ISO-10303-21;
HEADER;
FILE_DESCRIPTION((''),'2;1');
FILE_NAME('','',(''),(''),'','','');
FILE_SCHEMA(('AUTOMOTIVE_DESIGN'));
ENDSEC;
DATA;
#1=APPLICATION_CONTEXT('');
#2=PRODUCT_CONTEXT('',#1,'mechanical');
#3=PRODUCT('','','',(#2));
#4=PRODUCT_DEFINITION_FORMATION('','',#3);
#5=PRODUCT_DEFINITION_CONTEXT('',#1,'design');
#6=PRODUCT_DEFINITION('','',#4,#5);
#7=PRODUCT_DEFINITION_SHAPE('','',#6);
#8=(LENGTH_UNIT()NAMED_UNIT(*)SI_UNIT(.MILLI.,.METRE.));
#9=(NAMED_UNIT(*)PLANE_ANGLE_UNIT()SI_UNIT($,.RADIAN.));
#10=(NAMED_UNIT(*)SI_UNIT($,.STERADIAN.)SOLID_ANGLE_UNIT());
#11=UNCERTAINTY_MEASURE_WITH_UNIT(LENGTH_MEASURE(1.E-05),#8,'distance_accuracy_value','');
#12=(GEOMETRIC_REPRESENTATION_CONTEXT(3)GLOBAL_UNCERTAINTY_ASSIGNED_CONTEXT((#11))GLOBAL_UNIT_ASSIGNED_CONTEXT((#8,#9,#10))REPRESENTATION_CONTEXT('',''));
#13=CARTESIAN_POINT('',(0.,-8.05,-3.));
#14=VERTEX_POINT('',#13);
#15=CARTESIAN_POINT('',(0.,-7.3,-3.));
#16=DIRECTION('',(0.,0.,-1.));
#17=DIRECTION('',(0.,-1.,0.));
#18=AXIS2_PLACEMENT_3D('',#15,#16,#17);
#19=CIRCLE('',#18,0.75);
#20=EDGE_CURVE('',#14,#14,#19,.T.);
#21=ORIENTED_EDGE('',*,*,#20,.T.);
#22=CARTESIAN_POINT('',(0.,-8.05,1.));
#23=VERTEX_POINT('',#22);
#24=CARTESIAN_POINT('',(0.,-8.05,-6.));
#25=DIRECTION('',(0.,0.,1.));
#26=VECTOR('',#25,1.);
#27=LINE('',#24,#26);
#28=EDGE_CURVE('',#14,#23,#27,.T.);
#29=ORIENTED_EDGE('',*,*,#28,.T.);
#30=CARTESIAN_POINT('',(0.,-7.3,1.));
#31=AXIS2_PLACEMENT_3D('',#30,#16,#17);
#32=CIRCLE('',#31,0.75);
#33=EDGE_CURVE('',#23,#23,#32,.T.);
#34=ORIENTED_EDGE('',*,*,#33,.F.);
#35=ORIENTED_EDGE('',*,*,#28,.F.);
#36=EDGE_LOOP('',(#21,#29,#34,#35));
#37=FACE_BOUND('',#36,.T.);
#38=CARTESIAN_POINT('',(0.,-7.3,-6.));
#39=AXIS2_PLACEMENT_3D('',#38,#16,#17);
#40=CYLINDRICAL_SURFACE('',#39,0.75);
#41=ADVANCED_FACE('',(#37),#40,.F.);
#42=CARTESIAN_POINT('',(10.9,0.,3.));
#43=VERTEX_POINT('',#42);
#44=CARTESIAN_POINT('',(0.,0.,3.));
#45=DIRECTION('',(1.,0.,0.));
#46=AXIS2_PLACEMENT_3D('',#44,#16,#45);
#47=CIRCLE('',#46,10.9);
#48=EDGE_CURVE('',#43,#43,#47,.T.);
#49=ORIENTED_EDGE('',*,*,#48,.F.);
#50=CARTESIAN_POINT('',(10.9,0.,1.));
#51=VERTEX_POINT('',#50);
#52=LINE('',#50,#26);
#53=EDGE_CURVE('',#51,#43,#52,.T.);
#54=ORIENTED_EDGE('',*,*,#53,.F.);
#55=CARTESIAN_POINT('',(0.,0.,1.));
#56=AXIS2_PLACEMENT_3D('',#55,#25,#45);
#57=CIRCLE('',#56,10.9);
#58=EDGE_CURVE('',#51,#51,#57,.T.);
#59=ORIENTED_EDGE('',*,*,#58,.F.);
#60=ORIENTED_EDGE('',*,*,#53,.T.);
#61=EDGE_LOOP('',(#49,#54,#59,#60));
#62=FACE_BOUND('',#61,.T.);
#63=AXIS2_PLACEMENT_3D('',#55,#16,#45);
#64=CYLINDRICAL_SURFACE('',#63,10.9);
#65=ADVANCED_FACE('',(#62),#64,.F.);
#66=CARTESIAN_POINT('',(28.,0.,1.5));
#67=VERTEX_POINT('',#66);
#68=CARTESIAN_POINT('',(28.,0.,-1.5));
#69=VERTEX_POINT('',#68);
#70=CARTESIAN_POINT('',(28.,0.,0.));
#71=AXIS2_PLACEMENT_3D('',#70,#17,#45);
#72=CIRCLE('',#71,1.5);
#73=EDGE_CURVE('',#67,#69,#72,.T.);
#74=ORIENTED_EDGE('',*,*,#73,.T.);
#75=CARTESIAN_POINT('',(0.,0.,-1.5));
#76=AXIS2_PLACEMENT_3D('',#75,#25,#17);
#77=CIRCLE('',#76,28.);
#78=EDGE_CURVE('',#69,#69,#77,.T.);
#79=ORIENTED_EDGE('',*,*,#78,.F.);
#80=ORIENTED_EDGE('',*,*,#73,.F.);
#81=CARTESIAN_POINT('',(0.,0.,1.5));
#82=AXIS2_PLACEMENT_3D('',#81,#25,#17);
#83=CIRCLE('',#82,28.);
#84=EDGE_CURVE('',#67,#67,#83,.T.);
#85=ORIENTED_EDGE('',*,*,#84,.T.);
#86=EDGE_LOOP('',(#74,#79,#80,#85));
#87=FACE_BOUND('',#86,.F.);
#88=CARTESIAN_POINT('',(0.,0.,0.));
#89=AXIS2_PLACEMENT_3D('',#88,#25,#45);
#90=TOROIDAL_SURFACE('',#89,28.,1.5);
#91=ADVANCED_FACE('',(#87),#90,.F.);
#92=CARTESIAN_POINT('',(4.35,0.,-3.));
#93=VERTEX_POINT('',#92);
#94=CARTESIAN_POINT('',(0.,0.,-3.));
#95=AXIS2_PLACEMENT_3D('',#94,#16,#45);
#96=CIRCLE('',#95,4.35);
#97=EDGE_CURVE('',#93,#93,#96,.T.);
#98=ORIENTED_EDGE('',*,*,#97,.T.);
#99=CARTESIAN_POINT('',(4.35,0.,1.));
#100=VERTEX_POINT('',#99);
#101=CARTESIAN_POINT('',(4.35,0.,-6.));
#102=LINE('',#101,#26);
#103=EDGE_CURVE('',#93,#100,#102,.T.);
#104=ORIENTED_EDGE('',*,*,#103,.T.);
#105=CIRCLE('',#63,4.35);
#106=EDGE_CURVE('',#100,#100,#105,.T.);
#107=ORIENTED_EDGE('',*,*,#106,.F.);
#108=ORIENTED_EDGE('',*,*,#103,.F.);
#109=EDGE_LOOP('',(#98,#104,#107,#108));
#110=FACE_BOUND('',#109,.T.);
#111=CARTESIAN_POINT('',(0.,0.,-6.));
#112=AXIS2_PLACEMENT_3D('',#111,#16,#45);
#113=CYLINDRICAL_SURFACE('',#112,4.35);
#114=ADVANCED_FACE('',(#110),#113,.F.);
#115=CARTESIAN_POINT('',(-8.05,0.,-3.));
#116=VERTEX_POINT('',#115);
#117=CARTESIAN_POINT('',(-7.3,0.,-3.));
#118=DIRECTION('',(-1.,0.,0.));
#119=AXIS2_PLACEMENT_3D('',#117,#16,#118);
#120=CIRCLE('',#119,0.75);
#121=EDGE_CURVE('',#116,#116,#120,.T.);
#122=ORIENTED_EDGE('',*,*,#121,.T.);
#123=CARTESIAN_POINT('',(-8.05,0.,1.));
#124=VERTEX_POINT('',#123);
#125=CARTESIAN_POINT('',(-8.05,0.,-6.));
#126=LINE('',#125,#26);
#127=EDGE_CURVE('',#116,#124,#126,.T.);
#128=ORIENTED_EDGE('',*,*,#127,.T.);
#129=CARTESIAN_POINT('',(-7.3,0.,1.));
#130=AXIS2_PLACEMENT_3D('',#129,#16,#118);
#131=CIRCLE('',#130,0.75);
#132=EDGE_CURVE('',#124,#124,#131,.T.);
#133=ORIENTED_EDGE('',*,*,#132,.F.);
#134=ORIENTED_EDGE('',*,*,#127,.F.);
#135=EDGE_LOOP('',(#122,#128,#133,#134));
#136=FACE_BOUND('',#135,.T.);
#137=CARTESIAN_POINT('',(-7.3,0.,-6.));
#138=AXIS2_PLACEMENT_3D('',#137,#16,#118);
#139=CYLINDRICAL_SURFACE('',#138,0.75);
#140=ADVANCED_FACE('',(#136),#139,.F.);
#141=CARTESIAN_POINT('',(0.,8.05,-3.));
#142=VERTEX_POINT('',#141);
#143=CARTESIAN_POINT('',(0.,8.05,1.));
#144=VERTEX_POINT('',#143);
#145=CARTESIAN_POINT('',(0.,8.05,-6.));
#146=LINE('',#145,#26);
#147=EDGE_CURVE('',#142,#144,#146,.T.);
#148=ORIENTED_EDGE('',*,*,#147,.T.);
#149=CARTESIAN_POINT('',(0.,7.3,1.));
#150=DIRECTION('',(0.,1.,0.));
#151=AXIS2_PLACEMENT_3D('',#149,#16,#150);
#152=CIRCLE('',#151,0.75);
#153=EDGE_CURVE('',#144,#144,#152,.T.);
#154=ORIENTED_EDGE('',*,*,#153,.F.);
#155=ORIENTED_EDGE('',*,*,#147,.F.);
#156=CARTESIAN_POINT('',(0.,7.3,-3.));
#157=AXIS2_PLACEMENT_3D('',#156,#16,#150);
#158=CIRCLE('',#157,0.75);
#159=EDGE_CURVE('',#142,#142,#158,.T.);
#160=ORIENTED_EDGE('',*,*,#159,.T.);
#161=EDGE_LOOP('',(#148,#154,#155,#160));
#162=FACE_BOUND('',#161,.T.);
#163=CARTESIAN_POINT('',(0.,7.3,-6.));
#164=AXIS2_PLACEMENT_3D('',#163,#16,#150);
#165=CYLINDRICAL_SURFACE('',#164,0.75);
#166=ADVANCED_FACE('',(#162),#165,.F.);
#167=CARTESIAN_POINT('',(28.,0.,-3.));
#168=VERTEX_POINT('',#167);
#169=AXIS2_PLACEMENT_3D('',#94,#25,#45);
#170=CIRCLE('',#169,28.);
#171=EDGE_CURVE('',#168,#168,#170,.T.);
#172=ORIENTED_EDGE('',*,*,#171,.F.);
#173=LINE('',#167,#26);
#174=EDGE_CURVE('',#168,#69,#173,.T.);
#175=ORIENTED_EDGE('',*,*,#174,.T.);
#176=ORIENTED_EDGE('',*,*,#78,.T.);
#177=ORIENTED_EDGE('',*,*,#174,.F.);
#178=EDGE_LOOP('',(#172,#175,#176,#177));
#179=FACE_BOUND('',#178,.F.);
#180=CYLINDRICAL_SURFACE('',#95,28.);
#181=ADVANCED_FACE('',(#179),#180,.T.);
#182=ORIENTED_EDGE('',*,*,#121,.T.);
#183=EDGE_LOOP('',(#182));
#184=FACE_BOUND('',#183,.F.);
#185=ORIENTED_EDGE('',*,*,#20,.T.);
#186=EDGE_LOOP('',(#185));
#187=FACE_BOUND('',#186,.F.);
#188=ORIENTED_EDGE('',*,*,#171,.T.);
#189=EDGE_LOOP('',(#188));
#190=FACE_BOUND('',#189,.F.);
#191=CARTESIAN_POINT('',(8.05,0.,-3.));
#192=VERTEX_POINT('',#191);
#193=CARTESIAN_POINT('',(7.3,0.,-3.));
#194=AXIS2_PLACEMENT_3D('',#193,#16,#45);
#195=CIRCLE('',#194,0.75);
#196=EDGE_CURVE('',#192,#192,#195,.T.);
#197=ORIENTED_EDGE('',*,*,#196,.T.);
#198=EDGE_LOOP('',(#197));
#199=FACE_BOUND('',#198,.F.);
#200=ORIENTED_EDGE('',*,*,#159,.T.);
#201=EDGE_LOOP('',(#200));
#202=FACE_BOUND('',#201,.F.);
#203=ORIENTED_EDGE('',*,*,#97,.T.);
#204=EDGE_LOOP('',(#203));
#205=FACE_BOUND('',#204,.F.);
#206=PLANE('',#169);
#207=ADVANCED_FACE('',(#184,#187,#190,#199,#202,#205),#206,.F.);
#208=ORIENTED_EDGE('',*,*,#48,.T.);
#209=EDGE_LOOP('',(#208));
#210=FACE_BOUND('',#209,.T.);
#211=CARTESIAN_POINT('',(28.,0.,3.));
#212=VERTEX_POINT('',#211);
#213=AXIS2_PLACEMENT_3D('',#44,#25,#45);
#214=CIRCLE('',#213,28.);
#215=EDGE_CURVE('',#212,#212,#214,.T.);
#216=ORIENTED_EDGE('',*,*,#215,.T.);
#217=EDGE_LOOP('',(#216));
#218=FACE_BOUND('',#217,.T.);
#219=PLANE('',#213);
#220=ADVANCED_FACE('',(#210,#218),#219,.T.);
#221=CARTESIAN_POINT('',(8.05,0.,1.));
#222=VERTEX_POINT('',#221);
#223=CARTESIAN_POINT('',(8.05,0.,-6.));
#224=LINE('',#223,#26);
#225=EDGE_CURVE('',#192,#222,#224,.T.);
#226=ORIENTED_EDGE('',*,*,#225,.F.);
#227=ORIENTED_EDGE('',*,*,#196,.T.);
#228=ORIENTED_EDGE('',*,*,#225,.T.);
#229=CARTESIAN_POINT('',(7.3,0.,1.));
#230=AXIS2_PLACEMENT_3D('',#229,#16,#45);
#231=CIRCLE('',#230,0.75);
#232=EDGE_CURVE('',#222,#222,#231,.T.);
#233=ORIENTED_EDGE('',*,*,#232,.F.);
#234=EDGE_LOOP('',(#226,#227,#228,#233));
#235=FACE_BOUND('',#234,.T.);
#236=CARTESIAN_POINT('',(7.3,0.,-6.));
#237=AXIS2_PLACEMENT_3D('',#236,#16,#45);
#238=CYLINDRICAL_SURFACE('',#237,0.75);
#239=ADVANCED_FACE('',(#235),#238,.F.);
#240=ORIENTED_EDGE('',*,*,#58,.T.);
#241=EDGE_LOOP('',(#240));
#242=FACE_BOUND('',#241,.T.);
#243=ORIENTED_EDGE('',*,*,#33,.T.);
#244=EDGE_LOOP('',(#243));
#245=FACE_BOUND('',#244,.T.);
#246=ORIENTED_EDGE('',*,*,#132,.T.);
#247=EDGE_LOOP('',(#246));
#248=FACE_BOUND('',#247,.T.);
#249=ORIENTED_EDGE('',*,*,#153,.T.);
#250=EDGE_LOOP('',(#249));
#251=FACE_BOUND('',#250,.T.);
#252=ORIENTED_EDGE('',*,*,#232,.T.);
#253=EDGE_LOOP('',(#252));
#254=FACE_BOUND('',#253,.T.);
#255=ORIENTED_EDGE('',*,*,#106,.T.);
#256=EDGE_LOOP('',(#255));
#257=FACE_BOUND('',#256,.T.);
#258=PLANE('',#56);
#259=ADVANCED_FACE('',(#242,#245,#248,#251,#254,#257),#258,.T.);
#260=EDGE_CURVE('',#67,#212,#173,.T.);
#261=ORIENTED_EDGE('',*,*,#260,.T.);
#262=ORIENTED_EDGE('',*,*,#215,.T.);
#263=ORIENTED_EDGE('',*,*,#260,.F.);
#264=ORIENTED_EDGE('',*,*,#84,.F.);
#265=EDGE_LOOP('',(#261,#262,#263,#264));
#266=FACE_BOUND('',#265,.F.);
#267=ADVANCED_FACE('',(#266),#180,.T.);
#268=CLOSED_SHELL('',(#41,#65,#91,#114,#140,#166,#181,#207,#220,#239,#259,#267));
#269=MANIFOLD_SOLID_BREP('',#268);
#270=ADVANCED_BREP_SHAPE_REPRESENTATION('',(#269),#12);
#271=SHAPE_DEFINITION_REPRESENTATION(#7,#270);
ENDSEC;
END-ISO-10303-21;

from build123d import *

# Parameters (mm, degrees)
CYLINDER003_R     = 0.75
CYLINDER003_DEPTH = 10
ARRAY_COUNT       = 4
CYLINDER002_R     = 4.35
CYLINDER002_DEPTH = 10
CYLINDER001_R     = 10.9
CYLINDER001_DEPTH = 10
TORUS_R           = 1.5
CYLINDER_R        = 28
CYLINDER_DEPTH    = 6


with BuildPart() as array:
    # Cylinder003 → Cylinder003 (new body)
    with BuildSketch(Plane(origin=(7.3, 0, -6), x_dir=(1, 0, 0), z_dir=(0, 0, 1))):
        Circle(CYLINDER003_R)
    extrude(amount=CYLINDER003_DEPTH)

    # Array: Array ×4 about axis
    array_axis = Axis((0, 0, 0), (0, 0, 1))


with BuildPart() as array_1:
    add(array.part)
    for i in range(1, ARRAY_COUNT):
        add(array.part.rotate(array_axis, i * 360 / ARRAY_COUNT))


with BuildPart() as hueco_eje:
    # Cylinder002 → Cylinder002 (new body)
    with BuildSketch(Plane.XY.offset(-6)):
        Circle(CYLINDER002_R)
    extrude(amount=CYLINDER002_DEPTH)


with BuildPart() as corona_servo:
    # Cylinder001 → Cylinder001 (new body)
    with BuildSketch(Plane.XY.offset(1)):
        Circle(CYLINDER001_R)
    extrude(amount=CYLINDER001_DEPTH)


with BuildPart() as hueco_junta_t_rica:
    # Torus → Torus (revolve)
    with BuildSketch(Plane.XZ):
        with Locations((28, 0)):
            Circle(TORUS_R)
    revolve(axis=Axis((0, 0, 0), (0, 0, 1)))


with BuildPart() as rueda_miniskybot:
    # Cylinder → Cylinder (new body)
    with BuildSketch(Plane.XY.offset(-3)):
        Circle(CYLINDER_R)
    extrude(amount=CYLINDER_DEPTH)

    # Cut: cut hueco-junta-tórica
    add(hueco_junta_t_rica.part, mode=Mode.SUBTRACT)

    # Cut001: cut corona servo
    add(corona_servo.part, mode=Mode.SUBTRACT)

    # Cut002: cut hueco-eje
    add(hueco_eje.part, mode=Mode.SUBTRACT)

    # Cut003: cut Array
    add(array_1.part, mode=Mode.SUBTRACT)


solid = rueda_miniskybot.part
